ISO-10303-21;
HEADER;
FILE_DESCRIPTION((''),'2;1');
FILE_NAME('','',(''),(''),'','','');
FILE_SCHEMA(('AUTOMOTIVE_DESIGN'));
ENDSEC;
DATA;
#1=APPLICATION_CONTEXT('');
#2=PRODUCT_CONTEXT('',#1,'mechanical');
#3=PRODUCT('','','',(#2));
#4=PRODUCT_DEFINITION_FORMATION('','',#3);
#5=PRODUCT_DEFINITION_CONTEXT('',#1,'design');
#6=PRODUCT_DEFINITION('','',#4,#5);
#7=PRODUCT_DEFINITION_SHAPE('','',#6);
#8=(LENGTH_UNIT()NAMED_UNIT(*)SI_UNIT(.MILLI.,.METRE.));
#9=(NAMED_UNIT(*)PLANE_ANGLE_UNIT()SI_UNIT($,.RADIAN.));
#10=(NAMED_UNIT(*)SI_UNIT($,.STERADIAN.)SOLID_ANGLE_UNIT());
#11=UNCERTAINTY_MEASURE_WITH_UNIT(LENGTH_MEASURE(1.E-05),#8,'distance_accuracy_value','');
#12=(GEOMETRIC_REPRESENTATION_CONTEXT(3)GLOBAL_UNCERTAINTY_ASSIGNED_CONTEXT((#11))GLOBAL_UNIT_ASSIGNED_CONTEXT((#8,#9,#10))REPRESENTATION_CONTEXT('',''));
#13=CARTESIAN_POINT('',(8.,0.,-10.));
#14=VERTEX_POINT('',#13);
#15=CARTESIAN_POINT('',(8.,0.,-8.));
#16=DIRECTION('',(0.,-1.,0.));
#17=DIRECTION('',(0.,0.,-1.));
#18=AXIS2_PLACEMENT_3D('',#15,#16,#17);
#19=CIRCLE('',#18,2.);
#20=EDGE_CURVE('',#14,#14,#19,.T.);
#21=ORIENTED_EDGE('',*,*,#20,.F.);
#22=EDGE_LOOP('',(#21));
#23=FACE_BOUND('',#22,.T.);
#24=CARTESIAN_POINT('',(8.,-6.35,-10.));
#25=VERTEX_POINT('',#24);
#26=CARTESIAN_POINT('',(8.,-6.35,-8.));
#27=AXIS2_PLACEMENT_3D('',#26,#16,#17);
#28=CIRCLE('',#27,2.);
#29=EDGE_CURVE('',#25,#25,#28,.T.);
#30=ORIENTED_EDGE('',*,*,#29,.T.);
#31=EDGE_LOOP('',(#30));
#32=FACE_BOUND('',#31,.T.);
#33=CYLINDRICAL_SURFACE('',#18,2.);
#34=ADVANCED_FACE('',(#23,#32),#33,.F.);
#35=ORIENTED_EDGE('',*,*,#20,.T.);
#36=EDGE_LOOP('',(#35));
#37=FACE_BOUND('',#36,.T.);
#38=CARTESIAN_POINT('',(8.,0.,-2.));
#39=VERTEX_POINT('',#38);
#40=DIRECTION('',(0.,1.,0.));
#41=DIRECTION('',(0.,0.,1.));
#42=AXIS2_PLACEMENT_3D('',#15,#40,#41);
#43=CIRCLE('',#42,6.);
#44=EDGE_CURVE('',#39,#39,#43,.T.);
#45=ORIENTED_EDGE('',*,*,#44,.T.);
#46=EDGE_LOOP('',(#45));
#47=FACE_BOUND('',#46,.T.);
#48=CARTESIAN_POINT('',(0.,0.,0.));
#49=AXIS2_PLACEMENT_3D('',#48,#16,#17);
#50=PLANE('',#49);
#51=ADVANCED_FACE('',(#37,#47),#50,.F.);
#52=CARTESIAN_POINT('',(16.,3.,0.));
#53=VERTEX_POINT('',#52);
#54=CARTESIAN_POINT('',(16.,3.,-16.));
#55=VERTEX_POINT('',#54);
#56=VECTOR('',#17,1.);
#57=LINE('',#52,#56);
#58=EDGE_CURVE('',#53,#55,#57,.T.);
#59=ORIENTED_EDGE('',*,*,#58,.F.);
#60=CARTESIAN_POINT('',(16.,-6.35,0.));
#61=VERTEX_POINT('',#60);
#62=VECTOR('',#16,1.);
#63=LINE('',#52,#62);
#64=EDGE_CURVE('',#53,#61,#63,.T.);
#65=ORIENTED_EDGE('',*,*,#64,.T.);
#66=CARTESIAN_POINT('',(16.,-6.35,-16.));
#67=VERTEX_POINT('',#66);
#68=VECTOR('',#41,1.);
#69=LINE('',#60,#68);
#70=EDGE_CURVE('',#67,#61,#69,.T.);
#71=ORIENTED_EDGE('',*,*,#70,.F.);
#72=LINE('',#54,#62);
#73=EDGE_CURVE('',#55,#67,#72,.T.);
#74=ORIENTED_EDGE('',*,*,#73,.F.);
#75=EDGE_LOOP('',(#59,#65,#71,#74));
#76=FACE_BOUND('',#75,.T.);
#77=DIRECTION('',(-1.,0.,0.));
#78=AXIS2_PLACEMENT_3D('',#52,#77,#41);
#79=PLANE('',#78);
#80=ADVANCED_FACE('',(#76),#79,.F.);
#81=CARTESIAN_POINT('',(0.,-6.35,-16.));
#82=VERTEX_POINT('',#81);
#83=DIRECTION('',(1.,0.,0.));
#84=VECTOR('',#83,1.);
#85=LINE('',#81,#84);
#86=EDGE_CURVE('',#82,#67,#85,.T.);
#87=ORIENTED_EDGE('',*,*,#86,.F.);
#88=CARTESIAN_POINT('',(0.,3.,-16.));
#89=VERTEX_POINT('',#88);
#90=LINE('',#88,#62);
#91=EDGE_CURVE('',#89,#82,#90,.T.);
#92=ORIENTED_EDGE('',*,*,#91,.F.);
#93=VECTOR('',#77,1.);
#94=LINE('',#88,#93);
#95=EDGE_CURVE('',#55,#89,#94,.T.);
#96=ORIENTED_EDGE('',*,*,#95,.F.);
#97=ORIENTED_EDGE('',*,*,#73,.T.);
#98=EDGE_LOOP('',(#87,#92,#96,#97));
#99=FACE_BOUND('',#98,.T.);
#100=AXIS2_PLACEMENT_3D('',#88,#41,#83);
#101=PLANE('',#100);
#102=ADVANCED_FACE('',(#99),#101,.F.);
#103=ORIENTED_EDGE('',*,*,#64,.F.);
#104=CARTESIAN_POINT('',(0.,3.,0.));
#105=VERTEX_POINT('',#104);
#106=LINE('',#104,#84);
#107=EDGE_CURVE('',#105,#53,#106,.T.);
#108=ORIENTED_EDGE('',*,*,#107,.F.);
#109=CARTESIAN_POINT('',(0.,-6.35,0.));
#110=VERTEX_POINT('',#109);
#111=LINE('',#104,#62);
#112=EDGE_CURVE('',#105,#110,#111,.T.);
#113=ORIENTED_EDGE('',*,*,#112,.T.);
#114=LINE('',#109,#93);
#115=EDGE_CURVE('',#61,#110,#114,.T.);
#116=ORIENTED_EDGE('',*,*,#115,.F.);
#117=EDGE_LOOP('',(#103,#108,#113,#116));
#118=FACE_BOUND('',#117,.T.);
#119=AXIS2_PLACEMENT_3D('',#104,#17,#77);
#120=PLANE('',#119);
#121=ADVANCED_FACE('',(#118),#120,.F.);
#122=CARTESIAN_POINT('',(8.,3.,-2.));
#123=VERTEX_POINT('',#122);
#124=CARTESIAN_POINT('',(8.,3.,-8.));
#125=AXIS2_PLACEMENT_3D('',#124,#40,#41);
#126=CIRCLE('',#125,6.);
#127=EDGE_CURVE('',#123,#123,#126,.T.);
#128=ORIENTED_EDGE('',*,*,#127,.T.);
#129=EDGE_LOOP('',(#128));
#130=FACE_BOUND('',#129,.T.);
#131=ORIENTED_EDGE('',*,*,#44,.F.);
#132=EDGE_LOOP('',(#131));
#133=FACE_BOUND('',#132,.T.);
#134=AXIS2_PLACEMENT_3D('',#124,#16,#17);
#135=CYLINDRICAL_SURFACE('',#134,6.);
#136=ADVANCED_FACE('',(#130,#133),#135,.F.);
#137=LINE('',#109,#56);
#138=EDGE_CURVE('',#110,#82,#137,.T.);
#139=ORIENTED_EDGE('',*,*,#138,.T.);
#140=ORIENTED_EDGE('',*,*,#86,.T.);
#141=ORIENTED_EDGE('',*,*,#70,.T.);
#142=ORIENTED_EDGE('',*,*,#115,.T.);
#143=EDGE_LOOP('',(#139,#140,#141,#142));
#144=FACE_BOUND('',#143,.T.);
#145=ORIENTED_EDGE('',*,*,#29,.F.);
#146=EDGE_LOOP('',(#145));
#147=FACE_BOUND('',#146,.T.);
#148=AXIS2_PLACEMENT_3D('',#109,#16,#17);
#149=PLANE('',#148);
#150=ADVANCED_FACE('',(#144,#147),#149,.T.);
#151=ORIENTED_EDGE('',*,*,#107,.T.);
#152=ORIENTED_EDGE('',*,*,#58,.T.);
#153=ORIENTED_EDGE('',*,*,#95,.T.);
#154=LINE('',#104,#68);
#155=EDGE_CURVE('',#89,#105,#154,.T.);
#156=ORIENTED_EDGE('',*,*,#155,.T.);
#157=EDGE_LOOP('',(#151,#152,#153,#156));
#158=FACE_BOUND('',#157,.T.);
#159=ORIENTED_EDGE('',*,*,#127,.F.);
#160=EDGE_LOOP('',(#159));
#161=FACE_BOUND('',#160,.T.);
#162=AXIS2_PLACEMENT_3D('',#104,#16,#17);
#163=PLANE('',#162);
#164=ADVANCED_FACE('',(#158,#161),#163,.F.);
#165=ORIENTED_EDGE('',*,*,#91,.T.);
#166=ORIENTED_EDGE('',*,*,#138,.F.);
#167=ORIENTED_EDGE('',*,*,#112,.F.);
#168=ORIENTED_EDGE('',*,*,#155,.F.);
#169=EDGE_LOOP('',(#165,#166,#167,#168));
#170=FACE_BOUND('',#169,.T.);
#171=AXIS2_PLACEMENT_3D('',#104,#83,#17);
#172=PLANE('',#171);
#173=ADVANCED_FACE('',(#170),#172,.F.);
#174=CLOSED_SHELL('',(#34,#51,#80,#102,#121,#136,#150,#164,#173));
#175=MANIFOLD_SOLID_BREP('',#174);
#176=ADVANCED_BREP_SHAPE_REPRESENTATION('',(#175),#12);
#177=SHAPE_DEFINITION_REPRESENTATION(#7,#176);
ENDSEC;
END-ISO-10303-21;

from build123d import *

# Parameters (mm, degrees)
SKETCH1_W           = 16
SKETCH1_H           = 16
SKETCH1_R           = 6
BOSS_EXTRUDE1_DEPTH = 3
SKETCH2_W           = 16
SKETCH2_H           = 16
BOSS_EXTRUDE2_DEPTH = 6.35
SKETCH3_R           = 2
CUT_EXTRUDE1_DEPTH  = 6.35


with BuildPart() as part:
    # Sketch1 → Boss-Extrude1 (new body)
    with BuildSketch(Plane(origin=(0, 0, 0), x_dir=(1, 0, 0), z_dir=(0, 1, 0))):
        with Locations((8, 8)):
            Rectangle(SKETCH1_W, SKETCH1_H)
        with Locations((8, 8)):
            Circle(SKETCH1_R, mode=Mode.SUBTRACT)
    extrude(amount=BOSS_EXTRUDE1_DEPTH)

    # Sketch2 → Boss-Extrude2 (add)
    with BuildSketch(Plane.XZ):
        with Locations((8, -8)):
            Rectangle(SKETCH2_W, SKETCH2_H)
    extrude(amount=BOSS_EXTRUDE2_DEPTH)

    # Sketch3 → Cut-Extrude1 (cut)
    with BuildSketch(Plane.XZ.offset(6.35)):
        with Locations((8, -8)):
            Circle(SKETCH3_R)
    extrude(amount=-CUT_EXTRUDE1_DEPTH, mode=Mode.SUBTRACT)


solid = part.part
